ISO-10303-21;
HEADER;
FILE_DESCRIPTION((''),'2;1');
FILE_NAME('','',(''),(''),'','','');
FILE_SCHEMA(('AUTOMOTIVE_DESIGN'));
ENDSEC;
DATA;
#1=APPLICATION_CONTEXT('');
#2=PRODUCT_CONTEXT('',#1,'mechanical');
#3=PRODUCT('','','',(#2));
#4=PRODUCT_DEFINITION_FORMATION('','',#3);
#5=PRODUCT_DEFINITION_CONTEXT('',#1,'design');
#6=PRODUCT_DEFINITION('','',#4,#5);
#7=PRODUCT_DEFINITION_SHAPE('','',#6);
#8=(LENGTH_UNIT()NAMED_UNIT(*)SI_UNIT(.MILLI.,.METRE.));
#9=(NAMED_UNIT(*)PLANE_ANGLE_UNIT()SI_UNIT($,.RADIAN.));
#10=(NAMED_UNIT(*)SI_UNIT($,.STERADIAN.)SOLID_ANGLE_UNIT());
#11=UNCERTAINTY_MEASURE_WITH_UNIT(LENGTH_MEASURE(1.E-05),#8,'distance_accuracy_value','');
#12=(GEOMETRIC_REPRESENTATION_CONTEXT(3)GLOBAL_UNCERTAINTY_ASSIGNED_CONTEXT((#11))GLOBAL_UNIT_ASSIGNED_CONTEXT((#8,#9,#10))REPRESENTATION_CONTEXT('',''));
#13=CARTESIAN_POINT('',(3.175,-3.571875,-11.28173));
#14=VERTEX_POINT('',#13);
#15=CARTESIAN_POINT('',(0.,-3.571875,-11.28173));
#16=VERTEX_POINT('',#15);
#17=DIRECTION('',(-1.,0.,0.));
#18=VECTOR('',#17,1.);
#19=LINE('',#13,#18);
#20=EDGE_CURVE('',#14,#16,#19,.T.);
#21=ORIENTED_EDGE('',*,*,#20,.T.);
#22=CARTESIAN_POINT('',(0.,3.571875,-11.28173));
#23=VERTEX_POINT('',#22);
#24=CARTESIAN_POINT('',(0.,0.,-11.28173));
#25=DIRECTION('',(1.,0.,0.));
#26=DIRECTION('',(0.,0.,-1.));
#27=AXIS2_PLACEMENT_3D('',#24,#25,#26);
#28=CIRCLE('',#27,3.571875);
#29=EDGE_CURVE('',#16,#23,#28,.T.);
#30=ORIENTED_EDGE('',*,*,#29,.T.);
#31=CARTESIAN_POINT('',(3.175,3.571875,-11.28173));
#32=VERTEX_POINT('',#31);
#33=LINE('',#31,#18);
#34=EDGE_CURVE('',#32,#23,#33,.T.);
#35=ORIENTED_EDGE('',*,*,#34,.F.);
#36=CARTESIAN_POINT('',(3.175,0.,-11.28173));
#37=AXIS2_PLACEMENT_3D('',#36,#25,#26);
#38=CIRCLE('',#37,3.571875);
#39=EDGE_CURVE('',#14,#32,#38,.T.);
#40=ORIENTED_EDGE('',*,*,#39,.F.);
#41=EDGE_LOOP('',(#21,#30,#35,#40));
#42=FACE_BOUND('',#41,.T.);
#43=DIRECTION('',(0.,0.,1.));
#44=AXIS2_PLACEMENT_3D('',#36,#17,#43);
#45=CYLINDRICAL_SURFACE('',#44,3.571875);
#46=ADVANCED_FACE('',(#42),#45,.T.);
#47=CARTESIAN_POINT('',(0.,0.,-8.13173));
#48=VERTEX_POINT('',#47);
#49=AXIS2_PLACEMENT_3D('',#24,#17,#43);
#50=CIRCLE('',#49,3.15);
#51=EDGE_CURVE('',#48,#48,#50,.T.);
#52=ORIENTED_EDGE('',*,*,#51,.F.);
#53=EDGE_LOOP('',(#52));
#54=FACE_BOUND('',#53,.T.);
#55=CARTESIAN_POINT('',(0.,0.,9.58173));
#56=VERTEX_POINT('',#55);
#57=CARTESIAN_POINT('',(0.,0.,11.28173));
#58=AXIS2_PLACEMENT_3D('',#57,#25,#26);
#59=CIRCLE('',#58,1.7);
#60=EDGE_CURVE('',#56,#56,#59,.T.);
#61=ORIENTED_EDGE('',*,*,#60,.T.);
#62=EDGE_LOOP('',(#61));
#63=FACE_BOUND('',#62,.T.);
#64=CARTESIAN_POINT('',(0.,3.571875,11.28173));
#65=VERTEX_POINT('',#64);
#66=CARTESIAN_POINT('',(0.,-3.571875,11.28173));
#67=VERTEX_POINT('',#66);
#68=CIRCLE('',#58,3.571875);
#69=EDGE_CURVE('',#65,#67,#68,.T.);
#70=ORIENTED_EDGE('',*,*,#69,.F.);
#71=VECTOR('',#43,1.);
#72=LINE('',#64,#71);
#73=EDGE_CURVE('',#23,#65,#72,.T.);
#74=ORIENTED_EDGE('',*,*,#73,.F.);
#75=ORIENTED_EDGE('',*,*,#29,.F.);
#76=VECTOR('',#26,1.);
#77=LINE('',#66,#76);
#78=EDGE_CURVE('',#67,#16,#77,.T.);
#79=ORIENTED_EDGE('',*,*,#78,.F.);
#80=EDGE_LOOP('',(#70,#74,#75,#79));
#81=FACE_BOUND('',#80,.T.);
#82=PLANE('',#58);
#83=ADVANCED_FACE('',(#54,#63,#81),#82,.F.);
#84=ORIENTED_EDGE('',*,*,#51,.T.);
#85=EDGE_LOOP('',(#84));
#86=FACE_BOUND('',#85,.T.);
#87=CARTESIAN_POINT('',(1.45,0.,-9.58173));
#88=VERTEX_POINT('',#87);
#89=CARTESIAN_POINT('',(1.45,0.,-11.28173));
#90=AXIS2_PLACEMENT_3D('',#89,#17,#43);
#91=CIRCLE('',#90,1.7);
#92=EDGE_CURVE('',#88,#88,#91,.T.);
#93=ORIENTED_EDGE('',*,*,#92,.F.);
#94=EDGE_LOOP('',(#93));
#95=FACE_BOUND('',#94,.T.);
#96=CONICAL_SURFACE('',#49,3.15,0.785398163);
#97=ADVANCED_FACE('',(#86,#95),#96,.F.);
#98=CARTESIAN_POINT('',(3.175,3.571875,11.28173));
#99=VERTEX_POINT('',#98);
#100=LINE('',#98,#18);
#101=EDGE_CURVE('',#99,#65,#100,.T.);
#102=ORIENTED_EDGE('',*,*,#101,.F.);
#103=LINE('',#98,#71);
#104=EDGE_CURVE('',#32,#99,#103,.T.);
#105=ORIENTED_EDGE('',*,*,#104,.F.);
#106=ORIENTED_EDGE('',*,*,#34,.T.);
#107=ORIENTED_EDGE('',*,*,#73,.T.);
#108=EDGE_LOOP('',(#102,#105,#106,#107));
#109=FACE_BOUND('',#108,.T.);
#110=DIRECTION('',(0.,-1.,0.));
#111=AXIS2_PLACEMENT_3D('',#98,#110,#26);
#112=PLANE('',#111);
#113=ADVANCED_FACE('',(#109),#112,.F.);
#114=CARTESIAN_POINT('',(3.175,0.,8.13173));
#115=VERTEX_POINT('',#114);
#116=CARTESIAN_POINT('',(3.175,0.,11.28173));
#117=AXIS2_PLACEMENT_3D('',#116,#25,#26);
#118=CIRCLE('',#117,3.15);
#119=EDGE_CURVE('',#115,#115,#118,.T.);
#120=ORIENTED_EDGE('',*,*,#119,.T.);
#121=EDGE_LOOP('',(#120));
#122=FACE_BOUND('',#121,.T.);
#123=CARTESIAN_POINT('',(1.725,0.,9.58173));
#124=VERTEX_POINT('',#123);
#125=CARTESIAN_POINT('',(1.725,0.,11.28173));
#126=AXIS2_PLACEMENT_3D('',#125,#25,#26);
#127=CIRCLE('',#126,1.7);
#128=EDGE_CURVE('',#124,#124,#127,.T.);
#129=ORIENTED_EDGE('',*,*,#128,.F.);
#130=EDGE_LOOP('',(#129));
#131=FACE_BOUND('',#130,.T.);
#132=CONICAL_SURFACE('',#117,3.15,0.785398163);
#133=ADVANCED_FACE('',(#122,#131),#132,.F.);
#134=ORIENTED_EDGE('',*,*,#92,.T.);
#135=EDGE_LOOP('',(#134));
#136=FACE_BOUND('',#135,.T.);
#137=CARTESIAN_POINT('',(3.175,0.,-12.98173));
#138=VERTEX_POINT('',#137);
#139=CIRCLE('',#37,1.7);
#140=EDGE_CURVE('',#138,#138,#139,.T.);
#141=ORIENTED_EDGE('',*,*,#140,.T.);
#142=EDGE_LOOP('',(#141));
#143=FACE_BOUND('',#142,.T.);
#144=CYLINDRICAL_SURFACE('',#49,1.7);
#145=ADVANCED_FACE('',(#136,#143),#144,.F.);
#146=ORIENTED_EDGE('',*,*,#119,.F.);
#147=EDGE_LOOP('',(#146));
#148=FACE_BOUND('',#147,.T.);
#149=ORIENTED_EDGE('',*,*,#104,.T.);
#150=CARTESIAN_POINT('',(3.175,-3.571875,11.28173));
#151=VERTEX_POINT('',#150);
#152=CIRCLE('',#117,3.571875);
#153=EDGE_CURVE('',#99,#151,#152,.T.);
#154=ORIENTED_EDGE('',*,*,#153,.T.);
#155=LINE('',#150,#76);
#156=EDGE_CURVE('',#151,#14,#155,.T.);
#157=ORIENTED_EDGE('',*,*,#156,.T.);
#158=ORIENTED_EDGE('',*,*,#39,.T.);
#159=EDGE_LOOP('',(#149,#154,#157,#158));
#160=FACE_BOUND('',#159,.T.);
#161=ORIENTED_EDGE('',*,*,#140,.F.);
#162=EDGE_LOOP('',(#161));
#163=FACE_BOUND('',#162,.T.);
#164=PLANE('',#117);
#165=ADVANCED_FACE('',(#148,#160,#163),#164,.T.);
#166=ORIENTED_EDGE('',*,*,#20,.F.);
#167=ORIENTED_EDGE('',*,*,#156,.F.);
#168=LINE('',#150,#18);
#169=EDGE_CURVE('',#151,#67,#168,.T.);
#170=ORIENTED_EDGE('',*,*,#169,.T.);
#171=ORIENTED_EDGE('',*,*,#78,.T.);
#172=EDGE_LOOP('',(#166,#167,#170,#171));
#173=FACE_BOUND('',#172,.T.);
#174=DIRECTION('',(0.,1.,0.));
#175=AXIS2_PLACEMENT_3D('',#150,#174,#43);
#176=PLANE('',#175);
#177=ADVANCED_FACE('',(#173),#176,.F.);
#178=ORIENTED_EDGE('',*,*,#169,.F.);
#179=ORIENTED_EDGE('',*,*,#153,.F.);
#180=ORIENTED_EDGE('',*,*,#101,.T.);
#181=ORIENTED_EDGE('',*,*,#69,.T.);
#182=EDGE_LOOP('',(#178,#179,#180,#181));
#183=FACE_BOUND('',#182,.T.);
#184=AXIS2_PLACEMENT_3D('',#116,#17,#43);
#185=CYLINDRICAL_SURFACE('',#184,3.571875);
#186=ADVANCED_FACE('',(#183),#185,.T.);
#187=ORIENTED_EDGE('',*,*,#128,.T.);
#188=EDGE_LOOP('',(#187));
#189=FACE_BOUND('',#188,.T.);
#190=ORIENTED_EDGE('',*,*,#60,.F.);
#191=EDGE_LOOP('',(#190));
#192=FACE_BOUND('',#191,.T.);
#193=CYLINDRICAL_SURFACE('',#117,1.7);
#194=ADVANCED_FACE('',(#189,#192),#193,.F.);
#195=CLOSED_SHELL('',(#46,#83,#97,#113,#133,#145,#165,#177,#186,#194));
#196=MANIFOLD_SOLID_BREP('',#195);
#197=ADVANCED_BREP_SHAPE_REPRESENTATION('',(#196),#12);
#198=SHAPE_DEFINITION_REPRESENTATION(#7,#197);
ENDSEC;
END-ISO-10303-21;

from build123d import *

# Parameters (mm, degrees)
BOSS_EXTRUDE1_DEPTH                             = 3.175
CSK_FOR_M3_FLAT_HEAD_MACHINE_SCREW1_D           = 3.4
CSK_FOR_M3_FLAT_HEAD_MACHINE_SCREW1_DEPTH       = 7.62
CSK_FOR_M3_FLAT_HEAD_MACHINE_SCREW1_CSINK_D     = 6.3
CSK_FOR_M3_FLAT_HEAD_MACHINE_SCREW1_CSINK_ANGLE = 90
CSK_FOR_M3_FLAT_HEAD_MACHINE_SCREW1_TIP         = 1.021463052
CSK_FOR_M3_FLAT_HEAD_MACHINE_SCREW2_D           = 3.4
CSK_FOR_M3_FLAT_HEAD_MACHINE_SCREW2_DEPTH       = 7.62
CSK_FOR_M3_FLAT_HEAD_MACHINE_SCREW2_CSINK_D     = 6.3
CSK_FOR_M3_FLAT_HEAD_MACHINE_SCREW2_CSINK_ANGLE = 90
CSK_FOR_M3_FLAT_HEAD_MACHINE_SCREW2_TIP         = 1.021463052


with BuildPart() as part:
    # Sketch1 → Boss-Extrude1 (new body)
    with BuildSketch(Plane(origin=(0, 0, 0), x_dir=(0, 0, -1), z_dir=(1, 0, 0))):
        with BuildLine():
            Line((-11.281730167, 3.571875), (11.281730167, 3.571875))
            ThreePointArc((11.281730167, 3.571875), (14.853605167, 0), (11.281730167, -3.571875))
            Line((11.281730167, -3.571875), (-11.281730167, -3.571875))
            ThreePointArc((-11.281730167, -3.571875), (-14.853605167, 0), (-11.281730167, 3.571875))
        make_face()
    extrude(amount=BOSS_EXTRUDE1_DEPTH)

    # CSK for M3 Flat Head Machine Screw1
    with Locations(Plane.ZY):
        with Locations((-11.281730167, 0)):
            CounterSinkHole(CSK_FOR_M3_FLAT_HEAD_MACHINE_SCREW1_D / 2, CSK_FOR_M3_FLAT_HEAD_MACHINE_SCREW1_CSINK_D / 2, depth=CSK_FOR_M3_FLAT_HEAD_MACHINE_SCREW1_DEPTH, counter_sink_angle=CSK_FOR_M3_FLAT_HEAD_MACHINE_SCREW1_CSINK_ANGLE)
            with Locations((0, 0, -(CSK_FOR_M3_FLAT_HEAD_MACHINE_SCREW1_DEPTH + CSK_FOR_M3_FLAT_HEAD_MACHINE_SCREW1_TIP / 2))):  # 118° drill point
                Cone(0, CSK_FOR_M3_FLAT_HEAD_MACHINE_SCREW1_D / 2, CSK_FOR_M3_FLAT_HEAD_MACHINE_SCREW1_TIP, mode=Mode.SUBTRACT)

    # CSK for M3 Flat Head Machine Screw2
    with Locations(Plane(origin=(3.175, 0, 0), x_dir=(0, 0, -1), z_dir=(1, 0, 0))):
        with Locations((-11.281730167, 0)):
            CounterSinkHole(CSK_FOR_M3_FLAT_HEAD_MACHINE_SCREW2_D / 2, CSK_FOR_M3_FLAT_HEAD_MACHINE_SCREW2_CSINK_D / 2, depth=CSK_FOR_M3_FLAT_HEAD_MACHINE_SCREW2_DEPTH, counter_sink_angle=CSK_FOR_M3_FLAT_HEAD_MACHINE_SCREW2_CSINK_ANGLE)
            with Locations((0, 0, -(CSK_FOR_M3_FLAT_HEAD_MACHINE_SCREW2_DEPTH + CSK_FOR_M3_FLAT_HEAD_MACHINE_SCREW2_TIP / 2))):  # 118° drill point
                Cone(0, CSK_FOR_M3_FLAT_HEAD_MACHINE_SCREW2_D / 2, CSK_FOR_M3_FLAT_HEAD_MACHINE_SCREW2_TIP, mode=Mode.SUBTRACT)


solid = part.part
